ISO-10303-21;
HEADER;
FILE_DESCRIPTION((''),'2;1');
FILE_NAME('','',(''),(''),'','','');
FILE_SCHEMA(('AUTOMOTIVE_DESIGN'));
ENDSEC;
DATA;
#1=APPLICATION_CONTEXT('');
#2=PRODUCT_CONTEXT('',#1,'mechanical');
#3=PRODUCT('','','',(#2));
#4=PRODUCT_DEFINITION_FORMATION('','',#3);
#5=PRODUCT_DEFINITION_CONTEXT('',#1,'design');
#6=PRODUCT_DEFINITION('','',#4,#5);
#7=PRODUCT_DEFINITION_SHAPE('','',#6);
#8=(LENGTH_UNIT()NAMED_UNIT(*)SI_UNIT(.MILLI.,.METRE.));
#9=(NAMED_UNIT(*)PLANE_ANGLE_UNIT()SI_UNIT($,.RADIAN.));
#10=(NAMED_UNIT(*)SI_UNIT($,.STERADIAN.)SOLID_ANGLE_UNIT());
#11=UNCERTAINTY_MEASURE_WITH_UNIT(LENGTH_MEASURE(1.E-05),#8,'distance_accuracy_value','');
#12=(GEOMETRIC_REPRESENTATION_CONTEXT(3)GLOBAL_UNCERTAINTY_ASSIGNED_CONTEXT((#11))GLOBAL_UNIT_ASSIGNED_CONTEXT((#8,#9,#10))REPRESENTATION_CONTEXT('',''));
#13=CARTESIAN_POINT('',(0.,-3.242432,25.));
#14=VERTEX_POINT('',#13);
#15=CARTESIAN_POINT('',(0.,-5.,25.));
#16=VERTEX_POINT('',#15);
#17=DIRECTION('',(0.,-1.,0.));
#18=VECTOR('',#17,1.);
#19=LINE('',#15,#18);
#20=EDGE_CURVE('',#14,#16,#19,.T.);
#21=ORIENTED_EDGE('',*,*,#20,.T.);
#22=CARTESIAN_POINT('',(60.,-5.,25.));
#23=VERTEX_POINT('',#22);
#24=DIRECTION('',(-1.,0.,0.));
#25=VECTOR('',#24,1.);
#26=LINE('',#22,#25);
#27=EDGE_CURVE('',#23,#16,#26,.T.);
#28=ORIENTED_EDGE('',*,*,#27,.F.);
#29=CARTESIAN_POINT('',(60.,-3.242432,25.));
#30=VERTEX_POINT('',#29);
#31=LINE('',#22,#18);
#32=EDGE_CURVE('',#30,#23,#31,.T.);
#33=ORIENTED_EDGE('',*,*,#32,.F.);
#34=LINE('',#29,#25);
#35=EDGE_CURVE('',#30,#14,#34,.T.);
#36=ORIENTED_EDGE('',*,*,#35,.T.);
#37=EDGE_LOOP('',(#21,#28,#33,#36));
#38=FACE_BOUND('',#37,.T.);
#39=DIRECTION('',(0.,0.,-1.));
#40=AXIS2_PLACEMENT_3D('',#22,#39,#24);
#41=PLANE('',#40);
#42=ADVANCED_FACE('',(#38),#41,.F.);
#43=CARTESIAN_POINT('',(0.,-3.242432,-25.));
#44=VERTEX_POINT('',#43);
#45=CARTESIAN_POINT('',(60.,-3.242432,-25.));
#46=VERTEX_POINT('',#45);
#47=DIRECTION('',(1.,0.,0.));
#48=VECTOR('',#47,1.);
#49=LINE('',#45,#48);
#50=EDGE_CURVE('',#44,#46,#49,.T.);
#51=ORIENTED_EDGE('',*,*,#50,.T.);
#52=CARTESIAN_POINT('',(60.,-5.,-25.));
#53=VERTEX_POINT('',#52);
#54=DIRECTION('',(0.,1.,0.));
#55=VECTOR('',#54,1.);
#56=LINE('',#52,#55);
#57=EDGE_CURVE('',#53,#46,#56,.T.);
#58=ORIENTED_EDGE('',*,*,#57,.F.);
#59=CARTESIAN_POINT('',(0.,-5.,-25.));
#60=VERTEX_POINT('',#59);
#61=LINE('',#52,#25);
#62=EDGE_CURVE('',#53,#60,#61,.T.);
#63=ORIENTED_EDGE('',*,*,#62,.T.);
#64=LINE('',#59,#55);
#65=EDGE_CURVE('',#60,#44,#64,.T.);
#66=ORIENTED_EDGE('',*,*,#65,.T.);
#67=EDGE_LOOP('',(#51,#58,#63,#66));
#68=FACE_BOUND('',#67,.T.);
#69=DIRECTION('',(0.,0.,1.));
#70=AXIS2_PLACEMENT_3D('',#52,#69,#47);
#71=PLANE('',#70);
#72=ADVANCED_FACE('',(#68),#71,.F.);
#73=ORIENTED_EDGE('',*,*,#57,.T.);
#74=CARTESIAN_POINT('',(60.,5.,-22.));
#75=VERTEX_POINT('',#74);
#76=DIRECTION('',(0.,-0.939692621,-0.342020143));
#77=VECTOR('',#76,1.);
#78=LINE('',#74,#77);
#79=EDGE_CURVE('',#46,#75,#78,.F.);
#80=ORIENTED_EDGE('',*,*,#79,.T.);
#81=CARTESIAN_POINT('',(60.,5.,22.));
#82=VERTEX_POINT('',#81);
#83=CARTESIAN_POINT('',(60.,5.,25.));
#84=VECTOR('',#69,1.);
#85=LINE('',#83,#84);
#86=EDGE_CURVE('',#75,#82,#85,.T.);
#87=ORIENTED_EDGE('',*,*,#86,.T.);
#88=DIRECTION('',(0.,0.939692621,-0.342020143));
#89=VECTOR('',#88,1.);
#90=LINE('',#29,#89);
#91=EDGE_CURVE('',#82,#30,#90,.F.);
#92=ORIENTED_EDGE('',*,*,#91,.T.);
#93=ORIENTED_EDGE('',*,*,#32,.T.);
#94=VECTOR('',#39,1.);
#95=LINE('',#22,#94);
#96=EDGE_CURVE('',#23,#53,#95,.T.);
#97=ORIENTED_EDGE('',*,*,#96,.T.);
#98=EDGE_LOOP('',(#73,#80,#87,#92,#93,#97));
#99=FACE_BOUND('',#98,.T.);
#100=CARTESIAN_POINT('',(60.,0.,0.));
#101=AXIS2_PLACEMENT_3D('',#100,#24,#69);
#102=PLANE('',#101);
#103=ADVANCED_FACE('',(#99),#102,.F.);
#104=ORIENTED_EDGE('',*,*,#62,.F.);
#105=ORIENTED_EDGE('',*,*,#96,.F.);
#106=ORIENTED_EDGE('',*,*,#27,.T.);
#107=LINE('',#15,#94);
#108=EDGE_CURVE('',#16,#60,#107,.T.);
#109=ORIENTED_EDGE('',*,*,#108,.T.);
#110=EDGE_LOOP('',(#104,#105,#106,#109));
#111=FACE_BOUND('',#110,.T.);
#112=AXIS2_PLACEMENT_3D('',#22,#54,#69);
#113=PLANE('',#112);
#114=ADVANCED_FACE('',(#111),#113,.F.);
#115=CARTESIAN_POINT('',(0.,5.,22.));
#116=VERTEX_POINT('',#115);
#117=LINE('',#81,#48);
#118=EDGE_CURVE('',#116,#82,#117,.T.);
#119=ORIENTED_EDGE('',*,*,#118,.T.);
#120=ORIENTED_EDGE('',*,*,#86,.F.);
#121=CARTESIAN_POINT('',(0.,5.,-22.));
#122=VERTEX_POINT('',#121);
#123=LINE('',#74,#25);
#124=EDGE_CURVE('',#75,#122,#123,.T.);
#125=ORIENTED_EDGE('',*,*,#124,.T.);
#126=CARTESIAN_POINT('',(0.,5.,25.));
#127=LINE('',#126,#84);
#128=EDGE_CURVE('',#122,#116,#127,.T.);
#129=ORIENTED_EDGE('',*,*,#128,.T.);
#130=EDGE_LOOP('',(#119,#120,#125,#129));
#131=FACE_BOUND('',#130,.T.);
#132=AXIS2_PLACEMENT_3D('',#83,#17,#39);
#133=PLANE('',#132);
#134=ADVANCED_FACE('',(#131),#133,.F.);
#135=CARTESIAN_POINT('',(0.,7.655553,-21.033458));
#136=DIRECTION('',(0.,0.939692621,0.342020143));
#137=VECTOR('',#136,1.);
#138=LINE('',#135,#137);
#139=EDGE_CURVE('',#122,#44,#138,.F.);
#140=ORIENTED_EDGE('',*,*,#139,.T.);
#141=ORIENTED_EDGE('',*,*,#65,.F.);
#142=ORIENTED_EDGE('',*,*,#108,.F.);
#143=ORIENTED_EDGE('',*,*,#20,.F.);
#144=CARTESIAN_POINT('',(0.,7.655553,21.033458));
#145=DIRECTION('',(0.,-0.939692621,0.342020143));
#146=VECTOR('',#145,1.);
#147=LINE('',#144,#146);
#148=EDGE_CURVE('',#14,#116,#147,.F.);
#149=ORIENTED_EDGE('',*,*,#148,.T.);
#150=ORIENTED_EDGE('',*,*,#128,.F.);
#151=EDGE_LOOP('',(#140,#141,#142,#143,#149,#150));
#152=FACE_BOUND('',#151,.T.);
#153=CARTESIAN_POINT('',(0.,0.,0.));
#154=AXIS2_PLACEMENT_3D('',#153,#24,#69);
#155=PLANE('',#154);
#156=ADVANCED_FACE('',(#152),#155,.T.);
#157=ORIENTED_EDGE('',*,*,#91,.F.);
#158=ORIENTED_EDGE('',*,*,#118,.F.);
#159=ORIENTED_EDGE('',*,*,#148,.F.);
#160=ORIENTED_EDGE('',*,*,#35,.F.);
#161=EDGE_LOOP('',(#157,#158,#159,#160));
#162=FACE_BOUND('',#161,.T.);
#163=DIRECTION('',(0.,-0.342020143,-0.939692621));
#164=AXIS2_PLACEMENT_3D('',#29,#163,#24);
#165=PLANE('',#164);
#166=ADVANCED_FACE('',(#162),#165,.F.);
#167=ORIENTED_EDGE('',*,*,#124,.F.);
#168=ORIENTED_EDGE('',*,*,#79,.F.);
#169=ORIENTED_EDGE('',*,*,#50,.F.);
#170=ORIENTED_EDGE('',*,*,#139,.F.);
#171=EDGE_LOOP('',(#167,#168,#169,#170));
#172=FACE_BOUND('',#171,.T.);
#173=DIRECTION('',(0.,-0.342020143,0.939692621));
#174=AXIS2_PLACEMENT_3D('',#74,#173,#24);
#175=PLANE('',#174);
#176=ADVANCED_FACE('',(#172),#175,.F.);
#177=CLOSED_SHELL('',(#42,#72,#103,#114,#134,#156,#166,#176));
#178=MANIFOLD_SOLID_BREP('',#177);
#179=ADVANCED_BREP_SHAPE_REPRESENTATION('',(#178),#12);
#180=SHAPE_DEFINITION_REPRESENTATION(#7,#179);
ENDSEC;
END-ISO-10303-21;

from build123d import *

# Parameters (mm, degrees)
SKETCH1_W           = 50
SKETCH1_H           = 10
BOSS_EXTRUDE1_DEPTH = 60
CHAMFER1_SIZE       = 3
CHAMFER1_SIZE2      = 8.242432258
CHAMFER2_SIZE       = 3
CHAMFER2_SIZE2      = 8.242432258


with BuildPart() as part:
    # Sketch1 → Boss-Extrude1 (new body)
    with BuildSketch(Plane(origin=(0, 0, 0), x_dir=(0, 0, -1), z_dir=(1, 0, 0))):
        Rectangle(SKETCH1_W, SKETCH1_H)
    extrude(amount=BOSS_EXTRUDE1_DEPTH)

    # Chamfer1
    chamfer1_edges = [part.edges().sort_by_distance(p)[0] for p in [
        (30, 5, 25),
    ]]
    chamfer1_side = [part.faces().sort_by_distance(p)[0] for p in [
        (30, 5, 0),
    ]]
    chamfer(chamfer1_edges, length=CHAMFER1_SIZE, length2=CHAMFER1_SIZE2, reference=chamfer1_side[0])

    # Chamfer2
    chamfer2_edges = [part.edges().sort_by_distance(p)[0] for p in [
        (30, 5, -25),
    ]]
    chamfer2_side = [part.faces().sort_by_distance(p)[0] for p in [
        (30, 5, -1.5),
    ]]
    chamfer(chamfer2_edges, length=CHAMFER2_SIZE, length2=CHAMFER2_SIZE2, reference=chamfer2_side[0])


solid = part.part
